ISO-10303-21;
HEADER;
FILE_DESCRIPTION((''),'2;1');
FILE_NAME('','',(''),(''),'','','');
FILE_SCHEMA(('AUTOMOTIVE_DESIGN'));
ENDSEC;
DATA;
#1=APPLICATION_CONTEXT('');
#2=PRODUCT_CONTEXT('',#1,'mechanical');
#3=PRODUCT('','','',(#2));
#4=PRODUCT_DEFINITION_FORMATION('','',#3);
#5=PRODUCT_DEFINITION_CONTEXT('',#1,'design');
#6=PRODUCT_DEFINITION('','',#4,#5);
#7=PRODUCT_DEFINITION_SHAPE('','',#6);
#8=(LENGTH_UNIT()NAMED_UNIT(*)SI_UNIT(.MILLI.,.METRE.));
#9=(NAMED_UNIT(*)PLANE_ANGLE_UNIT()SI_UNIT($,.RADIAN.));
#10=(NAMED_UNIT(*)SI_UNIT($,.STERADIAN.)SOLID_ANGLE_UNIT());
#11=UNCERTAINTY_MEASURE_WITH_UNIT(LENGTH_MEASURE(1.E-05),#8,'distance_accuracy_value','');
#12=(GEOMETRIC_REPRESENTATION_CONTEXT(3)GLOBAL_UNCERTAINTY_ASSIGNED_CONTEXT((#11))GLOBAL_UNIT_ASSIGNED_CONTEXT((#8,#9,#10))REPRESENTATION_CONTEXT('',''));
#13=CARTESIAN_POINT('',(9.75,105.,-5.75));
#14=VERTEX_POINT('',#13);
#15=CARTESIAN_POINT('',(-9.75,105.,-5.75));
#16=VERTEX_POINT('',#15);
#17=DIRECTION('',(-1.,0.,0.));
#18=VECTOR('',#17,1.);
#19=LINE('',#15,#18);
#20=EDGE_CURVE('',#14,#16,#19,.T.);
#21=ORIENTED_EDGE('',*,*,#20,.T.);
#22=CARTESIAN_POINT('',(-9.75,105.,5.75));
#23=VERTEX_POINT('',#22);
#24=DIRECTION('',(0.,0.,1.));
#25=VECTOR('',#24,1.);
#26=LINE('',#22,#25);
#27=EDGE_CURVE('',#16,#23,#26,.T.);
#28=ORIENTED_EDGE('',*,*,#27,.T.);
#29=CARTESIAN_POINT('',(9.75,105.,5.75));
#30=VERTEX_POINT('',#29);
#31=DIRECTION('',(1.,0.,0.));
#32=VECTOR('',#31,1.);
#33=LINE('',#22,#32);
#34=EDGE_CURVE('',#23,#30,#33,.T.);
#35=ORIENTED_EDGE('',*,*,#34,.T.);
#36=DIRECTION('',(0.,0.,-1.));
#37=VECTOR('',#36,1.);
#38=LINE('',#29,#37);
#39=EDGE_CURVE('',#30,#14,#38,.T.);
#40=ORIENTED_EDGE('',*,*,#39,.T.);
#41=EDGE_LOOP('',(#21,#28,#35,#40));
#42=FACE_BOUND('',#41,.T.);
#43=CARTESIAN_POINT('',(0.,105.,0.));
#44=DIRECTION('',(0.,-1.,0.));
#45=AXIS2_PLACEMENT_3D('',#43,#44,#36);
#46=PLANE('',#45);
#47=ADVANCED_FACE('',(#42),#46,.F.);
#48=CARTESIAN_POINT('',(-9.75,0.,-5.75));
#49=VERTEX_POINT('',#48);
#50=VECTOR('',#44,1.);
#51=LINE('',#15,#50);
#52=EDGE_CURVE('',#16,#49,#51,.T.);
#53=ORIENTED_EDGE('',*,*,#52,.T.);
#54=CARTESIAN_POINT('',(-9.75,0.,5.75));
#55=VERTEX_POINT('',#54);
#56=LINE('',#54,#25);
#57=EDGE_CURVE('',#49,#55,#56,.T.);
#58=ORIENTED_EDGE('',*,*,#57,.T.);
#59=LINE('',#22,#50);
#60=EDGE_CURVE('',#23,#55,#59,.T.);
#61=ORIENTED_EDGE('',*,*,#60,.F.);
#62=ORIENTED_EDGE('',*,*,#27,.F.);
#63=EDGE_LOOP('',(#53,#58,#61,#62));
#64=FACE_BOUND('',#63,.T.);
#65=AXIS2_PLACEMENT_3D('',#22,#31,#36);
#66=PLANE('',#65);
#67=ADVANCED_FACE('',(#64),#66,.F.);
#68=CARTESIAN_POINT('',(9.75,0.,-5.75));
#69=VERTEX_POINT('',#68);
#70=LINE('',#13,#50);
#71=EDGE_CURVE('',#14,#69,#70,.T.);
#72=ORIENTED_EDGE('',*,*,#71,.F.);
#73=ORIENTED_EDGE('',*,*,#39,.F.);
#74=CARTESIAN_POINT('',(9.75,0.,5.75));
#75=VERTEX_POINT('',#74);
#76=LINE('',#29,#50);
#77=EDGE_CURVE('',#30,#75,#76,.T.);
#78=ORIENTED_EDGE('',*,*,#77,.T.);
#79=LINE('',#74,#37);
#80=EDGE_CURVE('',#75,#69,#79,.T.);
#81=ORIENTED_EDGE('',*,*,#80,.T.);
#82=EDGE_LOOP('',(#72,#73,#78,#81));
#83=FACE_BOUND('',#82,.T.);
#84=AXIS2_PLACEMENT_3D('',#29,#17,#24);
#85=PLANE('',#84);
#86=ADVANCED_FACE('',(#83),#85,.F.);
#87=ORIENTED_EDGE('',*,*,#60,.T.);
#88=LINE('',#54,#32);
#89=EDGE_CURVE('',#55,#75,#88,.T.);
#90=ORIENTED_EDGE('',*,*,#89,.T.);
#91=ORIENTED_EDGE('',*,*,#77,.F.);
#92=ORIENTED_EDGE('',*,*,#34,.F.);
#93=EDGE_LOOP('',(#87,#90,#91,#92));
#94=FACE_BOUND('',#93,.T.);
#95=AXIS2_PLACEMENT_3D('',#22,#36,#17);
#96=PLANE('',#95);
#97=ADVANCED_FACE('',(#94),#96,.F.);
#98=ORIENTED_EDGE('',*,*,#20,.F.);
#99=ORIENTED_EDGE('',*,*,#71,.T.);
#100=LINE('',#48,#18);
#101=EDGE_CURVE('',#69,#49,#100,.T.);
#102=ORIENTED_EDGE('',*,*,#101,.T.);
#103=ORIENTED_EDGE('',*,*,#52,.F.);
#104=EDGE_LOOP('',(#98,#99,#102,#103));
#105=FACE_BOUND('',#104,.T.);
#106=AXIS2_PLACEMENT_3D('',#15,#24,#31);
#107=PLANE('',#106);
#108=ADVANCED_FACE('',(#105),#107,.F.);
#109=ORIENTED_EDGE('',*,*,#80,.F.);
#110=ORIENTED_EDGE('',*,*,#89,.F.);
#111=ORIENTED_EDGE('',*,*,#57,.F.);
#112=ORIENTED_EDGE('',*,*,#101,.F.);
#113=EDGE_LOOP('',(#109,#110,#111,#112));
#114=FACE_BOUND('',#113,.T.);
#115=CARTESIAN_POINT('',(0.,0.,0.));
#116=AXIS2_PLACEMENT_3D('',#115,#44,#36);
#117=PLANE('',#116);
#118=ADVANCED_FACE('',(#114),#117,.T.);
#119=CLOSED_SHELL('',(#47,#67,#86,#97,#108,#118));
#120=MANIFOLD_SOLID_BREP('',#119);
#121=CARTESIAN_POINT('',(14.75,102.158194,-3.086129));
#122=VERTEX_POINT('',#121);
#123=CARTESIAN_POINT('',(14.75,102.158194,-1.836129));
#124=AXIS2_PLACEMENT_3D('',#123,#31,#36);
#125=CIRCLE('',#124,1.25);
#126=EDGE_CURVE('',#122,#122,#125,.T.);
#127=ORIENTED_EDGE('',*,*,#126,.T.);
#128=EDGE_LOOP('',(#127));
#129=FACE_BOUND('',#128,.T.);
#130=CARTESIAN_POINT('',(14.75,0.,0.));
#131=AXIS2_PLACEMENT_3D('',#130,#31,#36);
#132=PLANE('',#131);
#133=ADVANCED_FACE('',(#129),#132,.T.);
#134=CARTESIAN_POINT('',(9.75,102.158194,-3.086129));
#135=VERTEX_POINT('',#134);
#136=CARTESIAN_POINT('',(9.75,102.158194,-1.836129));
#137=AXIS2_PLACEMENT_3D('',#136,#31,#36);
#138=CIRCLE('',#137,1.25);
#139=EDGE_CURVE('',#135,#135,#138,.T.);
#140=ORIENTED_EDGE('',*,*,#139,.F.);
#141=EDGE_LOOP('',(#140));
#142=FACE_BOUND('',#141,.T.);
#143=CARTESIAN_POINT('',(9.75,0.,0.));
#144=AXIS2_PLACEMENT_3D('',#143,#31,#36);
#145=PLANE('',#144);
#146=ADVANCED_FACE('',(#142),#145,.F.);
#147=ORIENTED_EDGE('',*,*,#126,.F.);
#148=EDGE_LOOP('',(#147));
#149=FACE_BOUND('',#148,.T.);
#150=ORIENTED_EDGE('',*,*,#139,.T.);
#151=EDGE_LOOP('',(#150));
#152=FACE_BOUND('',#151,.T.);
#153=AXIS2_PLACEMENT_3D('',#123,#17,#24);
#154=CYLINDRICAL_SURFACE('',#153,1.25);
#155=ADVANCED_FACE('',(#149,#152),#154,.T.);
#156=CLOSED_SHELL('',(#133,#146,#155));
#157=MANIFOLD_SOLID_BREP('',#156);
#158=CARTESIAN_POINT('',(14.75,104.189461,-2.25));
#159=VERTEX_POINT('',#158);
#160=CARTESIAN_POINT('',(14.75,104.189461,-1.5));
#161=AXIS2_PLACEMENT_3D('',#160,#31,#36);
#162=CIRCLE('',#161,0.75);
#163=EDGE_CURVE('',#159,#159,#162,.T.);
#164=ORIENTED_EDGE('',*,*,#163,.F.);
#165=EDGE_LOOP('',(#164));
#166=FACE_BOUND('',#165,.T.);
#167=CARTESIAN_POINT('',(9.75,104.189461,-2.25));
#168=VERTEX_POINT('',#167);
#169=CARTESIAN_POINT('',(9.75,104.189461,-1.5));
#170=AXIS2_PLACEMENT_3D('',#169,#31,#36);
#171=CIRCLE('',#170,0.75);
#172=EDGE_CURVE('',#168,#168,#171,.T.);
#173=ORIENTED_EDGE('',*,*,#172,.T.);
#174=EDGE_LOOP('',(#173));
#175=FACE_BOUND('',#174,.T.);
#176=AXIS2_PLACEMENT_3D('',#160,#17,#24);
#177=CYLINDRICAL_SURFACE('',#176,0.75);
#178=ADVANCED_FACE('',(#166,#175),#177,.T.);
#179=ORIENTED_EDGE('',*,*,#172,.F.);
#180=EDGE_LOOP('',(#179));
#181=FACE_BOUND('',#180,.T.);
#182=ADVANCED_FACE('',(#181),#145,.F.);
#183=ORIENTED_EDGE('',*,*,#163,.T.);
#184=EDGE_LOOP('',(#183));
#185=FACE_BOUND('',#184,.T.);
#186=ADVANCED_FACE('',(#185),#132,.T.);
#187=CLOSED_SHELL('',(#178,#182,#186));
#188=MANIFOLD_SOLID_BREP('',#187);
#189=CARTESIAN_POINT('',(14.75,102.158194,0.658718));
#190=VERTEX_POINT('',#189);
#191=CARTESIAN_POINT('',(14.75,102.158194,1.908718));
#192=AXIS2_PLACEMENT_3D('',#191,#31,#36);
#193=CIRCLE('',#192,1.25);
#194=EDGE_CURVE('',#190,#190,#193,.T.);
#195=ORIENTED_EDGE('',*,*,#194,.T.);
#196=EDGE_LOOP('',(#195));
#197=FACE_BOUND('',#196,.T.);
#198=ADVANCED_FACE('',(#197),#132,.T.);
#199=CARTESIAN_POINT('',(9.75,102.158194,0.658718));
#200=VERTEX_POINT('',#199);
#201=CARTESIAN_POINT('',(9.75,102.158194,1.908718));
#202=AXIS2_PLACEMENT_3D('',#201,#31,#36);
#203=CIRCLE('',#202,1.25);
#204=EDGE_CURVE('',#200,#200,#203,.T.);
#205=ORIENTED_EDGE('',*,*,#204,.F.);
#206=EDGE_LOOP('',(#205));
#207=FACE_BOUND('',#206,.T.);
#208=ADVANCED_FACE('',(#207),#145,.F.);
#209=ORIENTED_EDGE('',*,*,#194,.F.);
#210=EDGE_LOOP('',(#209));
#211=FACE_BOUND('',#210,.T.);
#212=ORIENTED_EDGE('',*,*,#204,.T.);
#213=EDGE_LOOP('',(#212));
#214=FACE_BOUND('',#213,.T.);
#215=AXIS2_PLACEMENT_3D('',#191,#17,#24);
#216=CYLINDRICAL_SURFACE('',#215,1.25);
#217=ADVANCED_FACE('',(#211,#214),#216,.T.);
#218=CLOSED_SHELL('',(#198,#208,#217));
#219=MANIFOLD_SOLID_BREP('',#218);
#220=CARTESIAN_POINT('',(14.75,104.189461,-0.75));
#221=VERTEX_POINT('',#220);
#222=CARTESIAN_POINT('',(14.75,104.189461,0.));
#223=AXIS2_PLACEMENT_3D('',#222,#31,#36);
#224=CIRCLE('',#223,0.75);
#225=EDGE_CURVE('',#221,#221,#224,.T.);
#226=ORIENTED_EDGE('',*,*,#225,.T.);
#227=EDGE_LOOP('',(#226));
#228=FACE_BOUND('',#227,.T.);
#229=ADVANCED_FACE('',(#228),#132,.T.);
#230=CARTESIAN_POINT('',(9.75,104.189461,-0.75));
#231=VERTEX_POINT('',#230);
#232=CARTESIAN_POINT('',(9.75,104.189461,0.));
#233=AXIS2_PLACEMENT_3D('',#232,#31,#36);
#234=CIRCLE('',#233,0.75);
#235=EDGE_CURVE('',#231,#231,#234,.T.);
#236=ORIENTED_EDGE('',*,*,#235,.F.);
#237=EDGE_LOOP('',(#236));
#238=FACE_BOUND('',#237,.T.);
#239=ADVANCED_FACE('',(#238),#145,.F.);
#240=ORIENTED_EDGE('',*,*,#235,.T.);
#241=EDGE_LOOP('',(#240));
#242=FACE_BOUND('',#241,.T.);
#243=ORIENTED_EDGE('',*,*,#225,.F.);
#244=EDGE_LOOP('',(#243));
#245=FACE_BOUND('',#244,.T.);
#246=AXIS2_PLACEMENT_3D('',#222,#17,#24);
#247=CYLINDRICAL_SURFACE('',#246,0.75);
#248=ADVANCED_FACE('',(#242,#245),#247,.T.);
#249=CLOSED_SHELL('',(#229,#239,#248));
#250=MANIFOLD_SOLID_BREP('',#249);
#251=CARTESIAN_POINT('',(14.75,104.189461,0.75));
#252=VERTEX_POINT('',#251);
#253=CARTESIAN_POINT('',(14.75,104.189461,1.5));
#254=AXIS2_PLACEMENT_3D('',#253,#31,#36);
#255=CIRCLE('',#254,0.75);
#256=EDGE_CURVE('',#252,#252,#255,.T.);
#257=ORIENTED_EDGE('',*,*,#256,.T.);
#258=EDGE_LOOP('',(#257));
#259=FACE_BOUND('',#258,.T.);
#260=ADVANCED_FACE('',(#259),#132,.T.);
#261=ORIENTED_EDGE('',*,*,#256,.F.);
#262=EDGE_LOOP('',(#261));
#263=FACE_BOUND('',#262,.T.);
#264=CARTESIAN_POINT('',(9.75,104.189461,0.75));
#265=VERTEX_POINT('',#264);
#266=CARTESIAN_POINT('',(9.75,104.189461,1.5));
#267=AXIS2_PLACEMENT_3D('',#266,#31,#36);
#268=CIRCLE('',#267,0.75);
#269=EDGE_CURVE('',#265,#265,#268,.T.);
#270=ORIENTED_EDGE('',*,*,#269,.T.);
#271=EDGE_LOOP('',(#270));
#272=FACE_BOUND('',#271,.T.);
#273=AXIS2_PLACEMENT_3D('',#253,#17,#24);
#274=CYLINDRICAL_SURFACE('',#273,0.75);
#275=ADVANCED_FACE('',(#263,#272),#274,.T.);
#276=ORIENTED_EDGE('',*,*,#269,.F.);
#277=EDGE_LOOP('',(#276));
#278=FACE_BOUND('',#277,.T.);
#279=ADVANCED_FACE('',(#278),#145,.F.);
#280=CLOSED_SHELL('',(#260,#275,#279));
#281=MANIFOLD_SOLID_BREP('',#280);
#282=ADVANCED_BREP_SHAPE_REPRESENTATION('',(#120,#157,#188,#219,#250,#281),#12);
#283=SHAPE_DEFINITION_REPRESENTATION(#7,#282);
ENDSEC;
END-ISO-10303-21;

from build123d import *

# Parameters (mm, degrees)
SKETCH1_W           = 19.5
SKETCH1_H           = 11.5
BOSS_EXTRUDE1_DEPTH = 105
SKETCH2_R           = 0.75
SKETCH2_R_2         = 1.25
BOSS_EXTRUDE3_DEPTH = 5


with BuildPart() as part:
    # Sketch1 → Boss-Extrude1 (new body)
    with BuildSketch(Plane(origin=(0, 0, 0), x_dir=(1, 0, 0), z_dir=(0, 1, 0))):
        Rectangle(SKETCH1_W, SKETCH1_H)
    extrude(amount=BOSS_EXTRUDE1_DEPTH)


with BuildPart() as body_2:
    # Sketch2 → Boss-Extrude3 (new body)
    with BuildSketch(Plane(origin=(9.75, 0, 0), x_dir=(0, 0, -1), z_dir=(1, 0, 0))):
        with Locations((-1.5, 104.189461368)):
            Circle(SKETCH2_R)
        with Locations((-1.908718428, 102.158194126)):
            Circle(SKETCH2_R_2)
        with BuildLine():
            ThreePointArc((0.75, 104.189461368), (0.530330086, 104.719791454), (0, 104.939461368))
            Line((0, 104.939461368), (0, 103.439461368))
            ThreePointArc((0, 103.439461368), (0.530330086, 103.659131282), (0.75, 104.189461368))
        make_face()
        with BuildLine():
            Line((0, 103.439461368), (0, 104.939461368))
            ThreePointArc((0, 104.939461368), (-0.530330086, 104.719791454), (-0.75, 104.189461368))
            ThreePointArc((-0.75, 104.189461368), (-0.530330086, 103.659131282), (0, 103.439461368))
        make_face()
        with Locations((1.5, 104.189461368)):
            Circle(SKETCH2_R)
        with Locations((1.836128902, 102.158194126)):
            Circle(SKETCH2_R_2)
    extrude(amount=BOSS_EXTRUDE3_DEPTH)


solid = Compound([part.part, body_2.part])
